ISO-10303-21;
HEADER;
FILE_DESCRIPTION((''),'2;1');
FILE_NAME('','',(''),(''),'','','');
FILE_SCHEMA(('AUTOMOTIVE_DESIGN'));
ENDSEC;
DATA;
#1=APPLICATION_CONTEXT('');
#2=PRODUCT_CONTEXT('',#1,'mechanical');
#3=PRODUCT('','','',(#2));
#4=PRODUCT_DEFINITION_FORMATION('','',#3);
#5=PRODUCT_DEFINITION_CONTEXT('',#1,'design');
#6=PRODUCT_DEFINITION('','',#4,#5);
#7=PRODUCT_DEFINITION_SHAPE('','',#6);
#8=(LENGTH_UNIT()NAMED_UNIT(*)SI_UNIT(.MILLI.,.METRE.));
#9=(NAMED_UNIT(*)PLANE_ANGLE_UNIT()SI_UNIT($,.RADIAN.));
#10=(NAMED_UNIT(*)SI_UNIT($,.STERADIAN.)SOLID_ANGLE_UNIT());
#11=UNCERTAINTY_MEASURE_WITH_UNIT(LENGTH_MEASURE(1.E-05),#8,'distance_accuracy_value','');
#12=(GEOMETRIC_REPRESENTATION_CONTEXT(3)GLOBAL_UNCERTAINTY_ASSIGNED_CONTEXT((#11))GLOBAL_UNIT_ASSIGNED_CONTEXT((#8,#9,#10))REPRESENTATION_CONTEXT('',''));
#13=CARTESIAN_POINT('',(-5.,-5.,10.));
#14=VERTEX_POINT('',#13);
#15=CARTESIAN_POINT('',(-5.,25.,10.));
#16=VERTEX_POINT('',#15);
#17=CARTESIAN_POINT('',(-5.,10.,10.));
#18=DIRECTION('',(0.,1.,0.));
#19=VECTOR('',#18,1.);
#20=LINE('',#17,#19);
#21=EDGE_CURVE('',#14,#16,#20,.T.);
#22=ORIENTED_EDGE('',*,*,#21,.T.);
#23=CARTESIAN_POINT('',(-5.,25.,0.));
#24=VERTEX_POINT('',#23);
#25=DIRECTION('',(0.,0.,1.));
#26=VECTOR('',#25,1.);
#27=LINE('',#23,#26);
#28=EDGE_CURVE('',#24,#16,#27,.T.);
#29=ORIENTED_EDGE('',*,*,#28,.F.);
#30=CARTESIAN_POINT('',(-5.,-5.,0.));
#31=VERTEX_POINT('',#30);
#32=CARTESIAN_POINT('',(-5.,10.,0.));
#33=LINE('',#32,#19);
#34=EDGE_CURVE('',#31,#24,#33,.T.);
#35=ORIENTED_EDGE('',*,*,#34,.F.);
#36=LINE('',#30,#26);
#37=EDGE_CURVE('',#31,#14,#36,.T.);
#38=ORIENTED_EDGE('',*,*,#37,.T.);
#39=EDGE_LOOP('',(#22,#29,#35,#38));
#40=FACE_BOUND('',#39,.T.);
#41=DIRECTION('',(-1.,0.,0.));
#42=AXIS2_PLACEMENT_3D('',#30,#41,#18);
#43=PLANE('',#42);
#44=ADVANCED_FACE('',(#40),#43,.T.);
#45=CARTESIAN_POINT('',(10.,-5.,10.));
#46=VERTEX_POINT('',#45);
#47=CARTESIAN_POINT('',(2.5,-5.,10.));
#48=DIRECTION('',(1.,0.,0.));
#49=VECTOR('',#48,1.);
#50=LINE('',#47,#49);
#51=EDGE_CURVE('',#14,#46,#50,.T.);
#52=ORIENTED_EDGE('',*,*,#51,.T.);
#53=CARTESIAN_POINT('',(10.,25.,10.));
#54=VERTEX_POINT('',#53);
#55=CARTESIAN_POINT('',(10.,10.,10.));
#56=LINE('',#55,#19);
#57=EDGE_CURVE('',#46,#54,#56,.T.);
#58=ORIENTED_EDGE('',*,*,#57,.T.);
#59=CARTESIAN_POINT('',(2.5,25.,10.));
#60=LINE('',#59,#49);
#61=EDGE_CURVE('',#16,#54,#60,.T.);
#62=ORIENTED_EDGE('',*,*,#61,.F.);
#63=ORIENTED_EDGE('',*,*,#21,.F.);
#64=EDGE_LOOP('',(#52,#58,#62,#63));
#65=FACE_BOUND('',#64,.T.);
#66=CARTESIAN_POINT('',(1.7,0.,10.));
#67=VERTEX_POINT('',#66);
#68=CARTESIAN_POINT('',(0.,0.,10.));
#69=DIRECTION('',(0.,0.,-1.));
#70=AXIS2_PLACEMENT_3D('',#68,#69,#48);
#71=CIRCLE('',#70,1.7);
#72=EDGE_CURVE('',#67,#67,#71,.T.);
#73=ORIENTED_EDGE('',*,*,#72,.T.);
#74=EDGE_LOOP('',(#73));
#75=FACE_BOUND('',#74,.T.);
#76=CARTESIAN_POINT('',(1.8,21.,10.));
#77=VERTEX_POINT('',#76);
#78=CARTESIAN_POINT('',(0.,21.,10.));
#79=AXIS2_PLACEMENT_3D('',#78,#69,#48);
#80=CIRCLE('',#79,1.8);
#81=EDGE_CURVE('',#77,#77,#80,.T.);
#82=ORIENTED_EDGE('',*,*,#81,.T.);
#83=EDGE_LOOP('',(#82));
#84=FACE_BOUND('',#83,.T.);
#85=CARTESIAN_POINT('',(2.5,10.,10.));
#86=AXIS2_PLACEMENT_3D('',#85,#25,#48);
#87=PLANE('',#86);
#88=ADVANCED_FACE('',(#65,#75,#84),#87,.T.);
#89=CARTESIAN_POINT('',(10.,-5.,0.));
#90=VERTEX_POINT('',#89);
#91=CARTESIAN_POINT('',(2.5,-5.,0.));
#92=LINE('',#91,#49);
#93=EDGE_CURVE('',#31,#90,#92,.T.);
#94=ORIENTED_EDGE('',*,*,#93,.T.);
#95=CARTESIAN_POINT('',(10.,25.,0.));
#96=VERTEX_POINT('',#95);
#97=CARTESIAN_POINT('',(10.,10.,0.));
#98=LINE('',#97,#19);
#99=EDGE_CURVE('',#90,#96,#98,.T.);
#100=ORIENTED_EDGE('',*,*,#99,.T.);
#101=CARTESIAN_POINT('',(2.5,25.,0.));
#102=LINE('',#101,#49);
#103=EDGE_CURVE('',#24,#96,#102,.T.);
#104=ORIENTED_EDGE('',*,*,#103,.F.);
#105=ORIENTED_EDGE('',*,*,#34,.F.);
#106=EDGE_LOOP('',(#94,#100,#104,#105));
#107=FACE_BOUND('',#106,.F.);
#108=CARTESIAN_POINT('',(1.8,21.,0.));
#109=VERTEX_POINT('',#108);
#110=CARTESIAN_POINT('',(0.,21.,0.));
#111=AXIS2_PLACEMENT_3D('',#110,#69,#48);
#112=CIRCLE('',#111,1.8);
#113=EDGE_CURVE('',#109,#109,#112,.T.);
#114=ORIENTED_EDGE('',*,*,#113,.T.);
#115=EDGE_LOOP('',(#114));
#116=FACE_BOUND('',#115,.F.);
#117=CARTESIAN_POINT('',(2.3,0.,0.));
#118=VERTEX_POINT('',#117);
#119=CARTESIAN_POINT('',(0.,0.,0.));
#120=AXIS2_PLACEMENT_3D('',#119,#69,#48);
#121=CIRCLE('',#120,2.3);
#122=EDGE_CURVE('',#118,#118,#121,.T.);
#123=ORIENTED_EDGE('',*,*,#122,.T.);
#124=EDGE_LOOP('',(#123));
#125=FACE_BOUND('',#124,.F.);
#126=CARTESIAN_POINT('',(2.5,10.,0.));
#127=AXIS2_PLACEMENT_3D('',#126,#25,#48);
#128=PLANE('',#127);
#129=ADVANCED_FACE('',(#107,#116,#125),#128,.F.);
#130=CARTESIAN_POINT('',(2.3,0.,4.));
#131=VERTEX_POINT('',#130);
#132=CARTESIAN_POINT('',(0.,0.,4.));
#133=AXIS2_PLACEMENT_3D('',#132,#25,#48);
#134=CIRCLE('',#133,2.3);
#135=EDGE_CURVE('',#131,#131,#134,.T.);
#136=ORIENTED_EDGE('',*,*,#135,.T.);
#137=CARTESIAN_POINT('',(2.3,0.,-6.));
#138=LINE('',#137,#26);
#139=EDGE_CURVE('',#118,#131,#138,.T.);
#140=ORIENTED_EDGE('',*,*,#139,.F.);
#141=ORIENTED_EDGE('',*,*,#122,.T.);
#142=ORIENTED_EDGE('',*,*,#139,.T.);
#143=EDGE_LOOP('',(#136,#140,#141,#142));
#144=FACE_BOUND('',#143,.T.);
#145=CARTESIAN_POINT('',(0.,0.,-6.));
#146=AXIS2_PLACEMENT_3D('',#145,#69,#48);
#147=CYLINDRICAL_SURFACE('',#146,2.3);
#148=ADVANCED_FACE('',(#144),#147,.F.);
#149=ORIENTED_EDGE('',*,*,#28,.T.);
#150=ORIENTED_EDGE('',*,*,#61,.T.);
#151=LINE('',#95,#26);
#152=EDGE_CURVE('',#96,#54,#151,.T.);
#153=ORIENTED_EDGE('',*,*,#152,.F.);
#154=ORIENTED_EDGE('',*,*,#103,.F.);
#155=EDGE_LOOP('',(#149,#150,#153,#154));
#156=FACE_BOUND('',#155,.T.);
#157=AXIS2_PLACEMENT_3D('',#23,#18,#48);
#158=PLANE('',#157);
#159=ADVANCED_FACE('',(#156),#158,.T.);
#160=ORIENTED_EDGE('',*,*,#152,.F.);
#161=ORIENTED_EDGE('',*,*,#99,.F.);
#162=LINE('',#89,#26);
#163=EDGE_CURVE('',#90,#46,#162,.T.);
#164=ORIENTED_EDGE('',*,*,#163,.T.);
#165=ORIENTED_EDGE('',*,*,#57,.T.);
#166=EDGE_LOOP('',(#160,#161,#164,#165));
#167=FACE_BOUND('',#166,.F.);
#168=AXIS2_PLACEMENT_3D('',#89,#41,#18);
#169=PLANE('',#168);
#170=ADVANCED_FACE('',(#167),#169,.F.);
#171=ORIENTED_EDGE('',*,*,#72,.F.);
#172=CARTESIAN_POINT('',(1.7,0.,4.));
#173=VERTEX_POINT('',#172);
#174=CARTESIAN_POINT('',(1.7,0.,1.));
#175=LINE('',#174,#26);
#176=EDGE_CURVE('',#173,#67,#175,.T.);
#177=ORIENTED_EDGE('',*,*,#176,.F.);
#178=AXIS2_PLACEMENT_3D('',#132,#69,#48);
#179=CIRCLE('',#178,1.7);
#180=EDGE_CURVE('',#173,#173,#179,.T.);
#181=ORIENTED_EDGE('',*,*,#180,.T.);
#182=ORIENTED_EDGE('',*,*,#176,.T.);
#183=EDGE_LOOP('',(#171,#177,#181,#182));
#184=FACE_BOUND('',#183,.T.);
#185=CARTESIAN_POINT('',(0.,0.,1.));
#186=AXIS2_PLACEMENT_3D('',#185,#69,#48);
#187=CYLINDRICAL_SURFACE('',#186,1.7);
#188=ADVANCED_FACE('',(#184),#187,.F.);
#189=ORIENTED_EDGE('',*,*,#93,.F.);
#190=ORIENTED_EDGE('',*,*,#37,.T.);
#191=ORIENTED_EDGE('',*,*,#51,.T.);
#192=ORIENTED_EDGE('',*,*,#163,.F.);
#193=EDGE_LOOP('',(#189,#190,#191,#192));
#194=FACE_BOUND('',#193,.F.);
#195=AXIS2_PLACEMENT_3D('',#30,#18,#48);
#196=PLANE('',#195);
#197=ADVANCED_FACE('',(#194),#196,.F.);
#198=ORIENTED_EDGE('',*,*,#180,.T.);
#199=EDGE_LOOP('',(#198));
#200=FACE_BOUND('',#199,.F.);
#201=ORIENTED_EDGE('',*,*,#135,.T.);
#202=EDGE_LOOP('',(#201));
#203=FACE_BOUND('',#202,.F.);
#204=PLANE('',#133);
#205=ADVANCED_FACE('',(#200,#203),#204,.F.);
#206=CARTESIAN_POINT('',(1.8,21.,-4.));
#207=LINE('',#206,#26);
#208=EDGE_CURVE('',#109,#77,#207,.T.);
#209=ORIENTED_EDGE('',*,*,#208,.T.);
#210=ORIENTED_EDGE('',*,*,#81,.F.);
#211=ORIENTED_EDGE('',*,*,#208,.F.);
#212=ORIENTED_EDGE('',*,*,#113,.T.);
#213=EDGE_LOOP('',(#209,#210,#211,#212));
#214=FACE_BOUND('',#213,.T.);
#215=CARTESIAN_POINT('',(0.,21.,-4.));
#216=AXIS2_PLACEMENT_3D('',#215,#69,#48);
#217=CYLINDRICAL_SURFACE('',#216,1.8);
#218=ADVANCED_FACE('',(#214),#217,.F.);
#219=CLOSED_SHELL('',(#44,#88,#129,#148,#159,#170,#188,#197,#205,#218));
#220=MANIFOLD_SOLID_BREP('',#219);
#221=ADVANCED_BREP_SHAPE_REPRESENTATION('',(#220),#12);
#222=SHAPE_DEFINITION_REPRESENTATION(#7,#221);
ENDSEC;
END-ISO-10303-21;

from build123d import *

# Parameters (mm, degrees)
CYLINDER002_R     = 1.8
CYLINDER002_DEPTH = 20
CYLINDER001_R     = 2.3
CYLINDER001_DEPTH = 10
CYLINDER_R        = 1.7
CYLINDER_DEPTH    = 10
BOX_W             = 15
BOX_H             = 30
BOX_DEPTH         = 10


with BuildPart() as m3_clear:
    # Cylinder002 → Cylinder002 (new body)
    with BuildSketch(Plane(origin=(0, 21, -4), x_dir=(1, 0, 0), z_dir=(0, 0, 1))):
        Circle(CYLINDER002_R)
    extrude(amount=CYLINDER002_DEPTH)


with BuildPart() as cylinder001:
    # Cylinder001 → Cylinder001 (new body)
    with BuildSketch(Plane.XY):
        Circle(CYLINDER001_R)
    extrude(amount=CYLINDER001_DEPTH)


with BuildPart() as fusion001:
    # Cylinder → Cylinder (new body)
    with BuildSketch(Plane.XY.offset(7)):
        Circle(CYLINDER_R)
    extrude(amount=CYLINDER_DEPTH)

    # Fusion: union Cylinder001
    add(cylinder001.part)


with BuildPart() as fusion001_1:
    # Fusion placement: moved
    add(fusion001.part.moved(Location((0, 0, -6))))

    # Fusion001: union M3-clear
    add(m3_clear.part)


with BuildPart() as cut:
    # Box → Box (new body)
    with BuildSketch(Plane(origin=(-5, -5, 0), x_dir=(1, 0, 0), z_dir=(0, 0, 1))):
        with Locations((7.5, 15)):
            Rectangle(BOX_W, BOX_H)
    extrude(amount=BOX_DEPTH)

    # Cut: cut Fusion001
    add(fusion001_1.part, mode=Mode.SUBTRACT)


solid = cut.part
